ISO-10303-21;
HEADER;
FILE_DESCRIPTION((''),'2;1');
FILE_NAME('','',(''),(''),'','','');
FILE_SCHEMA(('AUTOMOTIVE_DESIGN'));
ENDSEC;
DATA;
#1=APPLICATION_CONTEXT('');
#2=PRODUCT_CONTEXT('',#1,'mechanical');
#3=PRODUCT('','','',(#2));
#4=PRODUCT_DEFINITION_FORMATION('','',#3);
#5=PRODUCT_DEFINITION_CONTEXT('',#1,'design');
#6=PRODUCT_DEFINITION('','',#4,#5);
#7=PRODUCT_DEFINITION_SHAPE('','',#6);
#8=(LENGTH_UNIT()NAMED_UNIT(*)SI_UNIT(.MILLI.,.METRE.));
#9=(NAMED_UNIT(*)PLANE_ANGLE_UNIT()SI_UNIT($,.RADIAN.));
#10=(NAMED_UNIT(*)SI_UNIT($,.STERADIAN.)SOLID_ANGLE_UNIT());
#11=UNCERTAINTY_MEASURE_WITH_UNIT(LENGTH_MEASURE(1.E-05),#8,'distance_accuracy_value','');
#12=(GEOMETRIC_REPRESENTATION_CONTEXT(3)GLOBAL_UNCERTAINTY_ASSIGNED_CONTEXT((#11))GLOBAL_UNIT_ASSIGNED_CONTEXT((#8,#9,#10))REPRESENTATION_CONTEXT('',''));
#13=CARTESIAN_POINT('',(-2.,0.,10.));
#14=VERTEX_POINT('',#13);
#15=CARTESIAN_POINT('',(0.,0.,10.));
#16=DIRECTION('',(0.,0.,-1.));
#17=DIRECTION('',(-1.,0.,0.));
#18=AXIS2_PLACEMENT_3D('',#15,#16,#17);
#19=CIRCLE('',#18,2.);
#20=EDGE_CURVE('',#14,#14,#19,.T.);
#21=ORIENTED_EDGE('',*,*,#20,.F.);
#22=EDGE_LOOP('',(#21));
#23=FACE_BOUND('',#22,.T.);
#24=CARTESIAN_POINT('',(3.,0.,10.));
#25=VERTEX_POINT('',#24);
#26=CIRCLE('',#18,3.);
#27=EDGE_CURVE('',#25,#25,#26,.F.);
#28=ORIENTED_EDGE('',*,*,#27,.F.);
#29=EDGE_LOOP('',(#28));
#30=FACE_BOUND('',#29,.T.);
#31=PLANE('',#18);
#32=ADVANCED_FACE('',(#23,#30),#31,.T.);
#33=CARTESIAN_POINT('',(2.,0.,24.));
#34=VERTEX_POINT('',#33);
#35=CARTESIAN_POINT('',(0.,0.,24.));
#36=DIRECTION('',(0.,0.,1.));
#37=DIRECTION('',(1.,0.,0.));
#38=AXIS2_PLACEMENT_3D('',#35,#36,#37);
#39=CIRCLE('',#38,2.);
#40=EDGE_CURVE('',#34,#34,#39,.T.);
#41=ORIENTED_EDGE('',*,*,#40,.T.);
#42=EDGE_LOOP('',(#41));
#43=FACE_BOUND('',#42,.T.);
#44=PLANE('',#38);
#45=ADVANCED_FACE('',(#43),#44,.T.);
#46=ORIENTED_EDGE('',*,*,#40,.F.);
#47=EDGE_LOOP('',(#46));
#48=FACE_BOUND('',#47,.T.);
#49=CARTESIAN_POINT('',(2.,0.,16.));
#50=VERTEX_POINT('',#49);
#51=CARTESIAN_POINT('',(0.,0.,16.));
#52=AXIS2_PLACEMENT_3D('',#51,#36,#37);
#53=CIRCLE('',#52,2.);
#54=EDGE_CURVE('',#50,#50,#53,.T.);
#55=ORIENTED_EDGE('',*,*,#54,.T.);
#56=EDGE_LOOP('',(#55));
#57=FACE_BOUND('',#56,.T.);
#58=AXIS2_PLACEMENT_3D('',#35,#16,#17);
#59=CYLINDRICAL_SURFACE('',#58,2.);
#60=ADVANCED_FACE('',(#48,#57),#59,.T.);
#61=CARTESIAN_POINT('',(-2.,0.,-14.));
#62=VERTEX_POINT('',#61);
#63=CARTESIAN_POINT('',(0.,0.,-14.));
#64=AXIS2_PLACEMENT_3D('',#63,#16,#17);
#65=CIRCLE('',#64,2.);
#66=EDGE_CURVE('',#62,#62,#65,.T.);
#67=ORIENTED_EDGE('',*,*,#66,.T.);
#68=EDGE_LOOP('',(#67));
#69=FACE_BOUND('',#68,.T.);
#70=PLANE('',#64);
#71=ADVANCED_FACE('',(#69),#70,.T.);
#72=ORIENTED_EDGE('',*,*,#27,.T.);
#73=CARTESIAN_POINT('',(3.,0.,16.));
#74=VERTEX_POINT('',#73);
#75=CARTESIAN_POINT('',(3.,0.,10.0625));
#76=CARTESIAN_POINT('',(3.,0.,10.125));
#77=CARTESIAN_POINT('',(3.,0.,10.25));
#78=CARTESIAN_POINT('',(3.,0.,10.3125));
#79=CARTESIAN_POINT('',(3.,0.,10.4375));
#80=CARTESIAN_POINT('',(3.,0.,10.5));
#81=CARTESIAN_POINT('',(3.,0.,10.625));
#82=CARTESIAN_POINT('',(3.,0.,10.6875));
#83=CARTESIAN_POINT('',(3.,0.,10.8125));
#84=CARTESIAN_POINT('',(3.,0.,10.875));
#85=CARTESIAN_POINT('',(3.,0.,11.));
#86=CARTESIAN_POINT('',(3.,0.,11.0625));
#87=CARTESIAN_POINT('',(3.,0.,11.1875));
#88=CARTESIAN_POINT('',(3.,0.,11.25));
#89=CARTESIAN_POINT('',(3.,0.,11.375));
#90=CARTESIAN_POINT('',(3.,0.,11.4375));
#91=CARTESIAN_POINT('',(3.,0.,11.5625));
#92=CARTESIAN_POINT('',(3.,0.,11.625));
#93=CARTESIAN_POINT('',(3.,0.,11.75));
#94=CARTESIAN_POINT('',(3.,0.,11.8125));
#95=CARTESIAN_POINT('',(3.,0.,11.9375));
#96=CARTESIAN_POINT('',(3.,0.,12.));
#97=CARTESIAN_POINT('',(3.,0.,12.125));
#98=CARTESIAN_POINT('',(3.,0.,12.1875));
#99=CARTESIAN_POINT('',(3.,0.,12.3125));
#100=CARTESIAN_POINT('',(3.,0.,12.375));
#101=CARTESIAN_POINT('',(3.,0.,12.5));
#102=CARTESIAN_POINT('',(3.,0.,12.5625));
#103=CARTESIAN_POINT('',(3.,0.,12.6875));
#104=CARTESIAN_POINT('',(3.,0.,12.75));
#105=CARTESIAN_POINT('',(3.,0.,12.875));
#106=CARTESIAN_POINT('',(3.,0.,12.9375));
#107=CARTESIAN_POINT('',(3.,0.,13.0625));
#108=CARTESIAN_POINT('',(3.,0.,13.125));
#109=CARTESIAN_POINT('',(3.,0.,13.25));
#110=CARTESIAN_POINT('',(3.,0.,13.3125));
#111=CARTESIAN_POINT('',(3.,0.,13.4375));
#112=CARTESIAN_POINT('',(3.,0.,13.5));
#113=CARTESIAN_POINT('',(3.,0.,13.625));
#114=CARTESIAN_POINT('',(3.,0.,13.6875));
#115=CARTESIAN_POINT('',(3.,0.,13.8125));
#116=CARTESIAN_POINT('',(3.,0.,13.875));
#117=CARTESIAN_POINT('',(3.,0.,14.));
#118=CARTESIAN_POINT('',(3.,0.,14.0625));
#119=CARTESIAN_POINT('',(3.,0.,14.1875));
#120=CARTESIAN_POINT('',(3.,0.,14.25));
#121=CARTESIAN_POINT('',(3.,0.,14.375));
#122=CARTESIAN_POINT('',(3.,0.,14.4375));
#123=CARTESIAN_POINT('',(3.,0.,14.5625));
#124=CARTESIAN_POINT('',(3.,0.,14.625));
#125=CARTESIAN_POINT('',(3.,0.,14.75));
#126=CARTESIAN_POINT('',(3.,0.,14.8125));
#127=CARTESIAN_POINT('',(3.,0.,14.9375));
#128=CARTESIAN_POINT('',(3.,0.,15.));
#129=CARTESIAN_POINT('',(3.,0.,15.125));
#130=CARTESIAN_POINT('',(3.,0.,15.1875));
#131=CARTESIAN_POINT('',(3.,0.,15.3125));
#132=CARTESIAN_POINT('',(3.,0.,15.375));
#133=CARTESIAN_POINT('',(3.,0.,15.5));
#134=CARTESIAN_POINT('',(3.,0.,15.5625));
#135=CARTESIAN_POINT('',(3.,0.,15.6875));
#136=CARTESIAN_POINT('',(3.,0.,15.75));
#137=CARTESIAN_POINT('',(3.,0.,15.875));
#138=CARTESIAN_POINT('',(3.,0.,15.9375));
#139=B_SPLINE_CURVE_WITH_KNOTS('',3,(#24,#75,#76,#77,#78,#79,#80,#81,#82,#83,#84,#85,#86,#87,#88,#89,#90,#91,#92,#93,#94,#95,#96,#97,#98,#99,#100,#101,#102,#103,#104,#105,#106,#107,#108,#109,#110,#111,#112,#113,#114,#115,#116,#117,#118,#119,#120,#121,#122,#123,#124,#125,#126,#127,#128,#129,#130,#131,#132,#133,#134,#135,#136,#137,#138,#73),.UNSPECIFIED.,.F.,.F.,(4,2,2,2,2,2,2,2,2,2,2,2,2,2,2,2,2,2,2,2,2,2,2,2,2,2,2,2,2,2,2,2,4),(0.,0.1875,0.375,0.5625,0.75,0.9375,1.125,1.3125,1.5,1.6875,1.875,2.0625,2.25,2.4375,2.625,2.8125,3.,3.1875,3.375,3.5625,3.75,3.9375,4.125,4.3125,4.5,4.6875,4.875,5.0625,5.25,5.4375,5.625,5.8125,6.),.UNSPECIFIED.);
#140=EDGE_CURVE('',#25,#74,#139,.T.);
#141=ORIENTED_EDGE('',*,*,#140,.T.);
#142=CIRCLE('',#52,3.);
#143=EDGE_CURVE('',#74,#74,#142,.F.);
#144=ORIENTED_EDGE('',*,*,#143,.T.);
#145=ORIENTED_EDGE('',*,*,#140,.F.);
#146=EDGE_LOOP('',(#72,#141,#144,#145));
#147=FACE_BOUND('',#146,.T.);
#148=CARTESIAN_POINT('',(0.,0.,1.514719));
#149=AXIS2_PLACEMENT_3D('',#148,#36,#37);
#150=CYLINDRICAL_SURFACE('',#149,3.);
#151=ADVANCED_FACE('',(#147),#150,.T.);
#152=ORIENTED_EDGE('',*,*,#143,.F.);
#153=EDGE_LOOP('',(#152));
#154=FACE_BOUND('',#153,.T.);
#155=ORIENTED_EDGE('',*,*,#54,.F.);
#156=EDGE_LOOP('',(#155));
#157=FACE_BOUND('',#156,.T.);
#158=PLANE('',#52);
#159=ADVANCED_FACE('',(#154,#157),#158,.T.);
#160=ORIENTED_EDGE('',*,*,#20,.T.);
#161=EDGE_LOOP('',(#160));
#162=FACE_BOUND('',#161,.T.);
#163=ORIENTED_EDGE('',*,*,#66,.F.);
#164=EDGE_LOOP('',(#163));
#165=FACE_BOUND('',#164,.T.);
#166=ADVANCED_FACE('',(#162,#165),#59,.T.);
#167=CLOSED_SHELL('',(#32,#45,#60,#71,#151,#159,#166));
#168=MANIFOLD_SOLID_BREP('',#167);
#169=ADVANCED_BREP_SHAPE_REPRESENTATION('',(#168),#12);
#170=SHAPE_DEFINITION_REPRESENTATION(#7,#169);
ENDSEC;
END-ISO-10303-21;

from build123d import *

# Parameters (mm, degrees)
SKETCH1_R           = 2
BOSS_EXTRUDE1_DEPTH = 24
SKETCH3_R           = 3
BOSS_EXTRUDE3_DEPTH = 9
BOSS_EXTRUDE4_START = 14
SKETCH4_R           = 2
BOSS_EXTRUDE4_DEPTH = 14
CUT_EXTRUDE1_START  = -3
SKETCH5_R           = 4
SKETCH5_R_2         = 2
CUT_EXTRUDE1_DEPTH  = 3


with BuildPart() as part:
    # Sketch1 → Boss-Extrude1 (new body)
    with BuildSketch(Plane.XY):
        Circle(SKETCH1_R)
    extrude(amount=BOSS_EXTRUDE1_DEPTH)

    # Sketch3 → Boss-Extrude3 (add)
    with BuildSketch(Plane.XY.offset(19)):
        Circle(SKETCH3_R)
    extrude(amount=-BOSS_EXTRUDE3_DEPTH)

    # Sketch4 → Boss-Extrude4 (add)
    with BuildSketch(Plane(origin=(0, 0, 0), x_dir=(-1, 0, 0), z_dir=(0, 0, -1)).offset(BOSS_EXTRUDE4_START)):
        Circle(SKETCH4_R)
    extrude(amount=-BOSS_EXTRUDE4_DEPTH)

    # Sketch5 → Cut-Extrude1 (cut)
    with BuildSketch(Plane.XY.offset(19).offset(CUT_EXTRUDE1_START)):
        Circle(SKETCH5_R)
        with Locations(Location((0, 0, 0), (0, 0, 180))):
            Circle(SKETCH5_R_2, mode=Mode.SUBTRACT)
    extrude(amount=CUT_EXTRUDE1_DEPTH, mode=Mode.SUBTRACT)


solid = part.part
